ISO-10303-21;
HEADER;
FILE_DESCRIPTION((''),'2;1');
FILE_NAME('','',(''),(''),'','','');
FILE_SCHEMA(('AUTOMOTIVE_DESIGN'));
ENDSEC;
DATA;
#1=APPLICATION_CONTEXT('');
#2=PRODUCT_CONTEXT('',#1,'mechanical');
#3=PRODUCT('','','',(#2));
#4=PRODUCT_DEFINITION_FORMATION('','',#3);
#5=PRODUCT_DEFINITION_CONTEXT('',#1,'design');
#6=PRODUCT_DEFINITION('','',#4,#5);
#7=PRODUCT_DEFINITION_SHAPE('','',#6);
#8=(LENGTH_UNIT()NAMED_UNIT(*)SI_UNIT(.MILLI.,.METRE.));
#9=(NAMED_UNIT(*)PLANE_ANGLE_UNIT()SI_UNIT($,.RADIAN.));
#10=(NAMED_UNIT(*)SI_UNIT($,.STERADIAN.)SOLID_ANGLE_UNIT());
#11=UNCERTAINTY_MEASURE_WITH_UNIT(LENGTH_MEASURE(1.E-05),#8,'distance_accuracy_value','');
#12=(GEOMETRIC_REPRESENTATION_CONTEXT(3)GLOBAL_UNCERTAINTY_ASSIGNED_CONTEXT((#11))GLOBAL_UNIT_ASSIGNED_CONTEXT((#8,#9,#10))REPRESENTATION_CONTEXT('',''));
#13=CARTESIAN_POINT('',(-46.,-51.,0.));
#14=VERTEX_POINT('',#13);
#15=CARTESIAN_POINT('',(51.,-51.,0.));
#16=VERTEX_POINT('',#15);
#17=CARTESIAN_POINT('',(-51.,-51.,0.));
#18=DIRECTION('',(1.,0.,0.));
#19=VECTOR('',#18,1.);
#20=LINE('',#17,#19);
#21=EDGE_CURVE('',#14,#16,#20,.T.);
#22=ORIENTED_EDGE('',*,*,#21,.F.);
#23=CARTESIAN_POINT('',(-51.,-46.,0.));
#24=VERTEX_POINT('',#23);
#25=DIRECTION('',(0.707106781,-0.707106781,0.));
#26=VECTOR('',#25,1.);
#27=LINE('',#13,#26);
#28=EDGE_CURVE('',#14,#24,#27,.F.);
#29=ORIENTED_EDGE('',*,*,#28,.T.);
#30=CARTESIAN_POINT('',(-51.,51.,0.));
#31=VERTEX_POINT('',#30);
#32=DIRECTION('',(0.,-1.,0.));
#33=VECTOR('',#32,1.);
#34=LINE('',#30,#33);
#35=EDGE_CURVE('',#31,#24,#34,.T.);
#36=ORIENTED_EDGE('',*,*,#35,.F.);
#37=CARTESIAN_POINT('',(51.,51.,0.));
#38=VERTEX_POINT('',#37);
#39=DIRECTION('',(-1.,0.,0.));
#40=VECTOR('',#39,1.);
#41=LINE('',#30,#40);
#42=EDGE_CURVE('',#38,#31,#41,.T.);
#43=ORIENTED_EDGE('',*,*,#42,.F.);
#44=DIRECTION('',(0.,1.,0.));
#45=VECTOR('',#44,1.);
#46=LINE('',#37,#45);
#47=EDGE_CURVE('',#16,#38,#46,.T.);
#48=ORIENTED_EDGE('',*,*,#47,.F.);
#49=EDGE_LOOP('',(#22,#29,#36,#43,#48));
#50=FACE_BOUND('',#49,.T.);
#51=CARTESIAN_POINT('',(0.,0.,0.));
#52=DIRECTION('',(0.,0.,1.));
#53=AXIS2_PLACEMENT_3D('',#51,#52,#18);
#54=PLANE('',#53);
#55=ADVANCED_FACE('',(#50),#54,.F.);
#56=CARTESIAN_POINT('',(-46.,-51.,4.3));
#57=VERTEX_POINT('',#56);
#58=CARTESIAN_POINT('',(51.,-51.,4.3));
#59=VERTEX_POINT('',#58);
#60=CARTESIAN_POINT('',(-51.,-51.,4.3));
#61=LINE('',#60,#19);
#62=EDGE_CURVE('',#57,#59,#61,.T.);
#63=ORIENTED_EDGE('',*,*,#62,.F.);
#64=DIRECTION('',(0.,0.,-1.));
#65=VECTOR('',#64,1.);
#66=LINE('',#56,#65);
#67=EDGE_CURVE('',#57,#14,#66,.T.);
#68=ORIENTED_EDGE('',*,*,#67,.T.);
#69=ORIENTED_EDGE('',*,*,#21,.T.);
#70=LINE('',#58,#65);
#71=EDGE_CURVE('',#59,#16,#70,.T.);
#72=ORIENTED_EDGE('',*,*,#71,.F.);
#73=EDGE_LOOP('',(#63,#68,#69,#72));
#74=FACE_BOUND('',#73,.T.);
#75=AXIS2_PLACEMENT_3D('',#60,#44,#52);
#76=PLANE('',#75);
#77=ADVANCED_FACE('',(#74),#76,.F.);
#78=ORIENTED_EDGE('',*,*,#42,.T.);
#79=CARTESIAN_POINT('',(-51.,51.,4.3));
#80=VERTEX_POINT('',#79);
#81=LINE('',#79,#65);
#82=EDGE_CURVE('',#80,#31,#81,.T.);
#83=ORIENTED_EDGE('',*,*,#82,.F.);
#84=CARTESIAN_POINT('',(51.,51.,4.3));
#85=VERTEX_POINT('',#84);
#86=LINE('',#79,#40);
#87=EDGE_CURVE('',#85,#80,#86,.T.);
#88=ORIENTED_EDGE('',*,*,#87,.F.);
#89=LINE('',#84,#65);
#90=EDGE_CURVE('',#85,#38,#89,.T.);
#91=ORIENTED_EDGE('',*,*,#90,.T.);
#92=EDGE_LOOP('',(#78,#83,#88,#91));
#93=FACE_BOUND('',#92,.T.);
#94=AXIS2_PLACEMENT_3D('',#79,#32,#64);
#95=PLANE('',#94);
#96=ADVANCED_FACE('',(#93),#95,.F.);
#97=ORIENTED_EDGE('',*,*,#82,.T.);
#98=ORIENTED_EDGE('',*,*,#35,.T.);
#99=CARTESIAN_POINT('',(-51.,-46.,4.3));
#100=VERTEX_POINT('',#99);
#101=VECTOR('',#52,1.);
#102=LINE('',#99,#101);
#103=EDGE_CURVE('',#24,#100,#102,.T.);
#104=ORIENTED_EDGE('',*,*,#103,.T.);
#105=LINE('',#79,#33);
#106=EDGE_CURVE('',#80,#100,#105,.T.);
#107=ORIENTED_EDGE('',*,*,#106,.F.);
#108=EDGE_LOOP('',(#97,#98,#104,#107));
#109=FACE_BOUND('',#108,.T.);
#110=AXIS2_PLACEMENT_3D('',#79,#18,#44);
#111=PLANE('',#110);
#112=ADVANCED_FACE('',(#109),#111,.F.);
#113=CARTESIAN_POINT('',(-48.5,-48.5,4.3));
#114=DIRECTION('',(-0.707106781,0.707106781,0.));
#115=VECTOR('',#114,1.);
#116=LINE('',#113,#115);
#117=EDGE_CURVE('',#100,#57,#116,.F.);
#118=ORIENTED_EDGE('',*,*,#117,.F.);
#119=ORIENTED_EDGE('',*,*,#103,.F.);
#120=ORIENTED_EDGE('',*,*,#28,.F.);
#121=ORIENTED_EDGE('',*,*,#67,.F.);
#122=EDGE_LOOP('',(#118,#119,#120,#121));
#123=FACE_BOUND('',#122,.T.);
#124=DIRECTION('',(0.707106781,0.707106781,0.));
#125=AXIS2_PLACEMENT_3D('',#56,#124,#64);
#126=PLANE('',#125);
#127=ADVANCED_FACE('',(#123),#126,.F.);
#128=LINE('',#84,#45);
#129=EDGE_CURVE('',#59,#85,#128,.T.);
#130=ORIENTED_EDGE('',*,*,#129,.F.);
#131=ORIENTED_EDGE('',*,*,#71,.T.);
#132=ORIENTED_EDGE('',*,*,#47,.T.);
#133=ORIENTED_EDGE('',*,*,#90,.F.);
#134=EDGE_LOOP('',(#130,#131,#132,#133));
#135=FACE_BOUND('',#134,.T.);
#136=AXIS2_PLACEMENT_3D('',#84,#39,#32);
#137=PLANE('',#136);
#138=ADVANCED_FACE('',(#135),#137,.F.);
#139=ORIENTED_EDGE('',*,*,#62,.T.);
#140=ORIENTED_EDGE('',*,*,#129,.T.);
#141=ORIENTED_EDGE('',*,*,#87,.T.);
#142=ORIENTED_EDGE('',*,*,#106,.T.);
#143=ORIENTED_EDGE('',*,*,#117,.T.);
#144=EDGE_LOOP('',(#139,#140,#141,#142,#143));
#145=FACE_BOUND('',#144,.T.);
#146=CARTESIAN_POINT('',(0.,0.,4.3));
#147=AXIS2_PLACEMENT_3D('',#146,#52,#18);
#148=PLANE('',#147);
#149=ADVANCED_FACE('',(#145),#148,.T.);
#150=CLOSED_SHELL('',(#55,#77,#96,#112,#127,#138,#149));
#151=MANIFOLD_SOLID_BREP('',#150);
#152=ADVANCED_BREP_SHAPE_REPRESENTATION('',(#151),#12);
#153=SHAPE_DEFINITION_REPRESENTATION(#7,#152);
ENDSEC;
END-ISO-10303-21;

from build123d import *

# Parameters (mm, degrees)
SKETCH_1_W      = 102
SKETCH_1_H      = 102
EXTRUDE_1_DEPTH = 4.3
CHAMFER_1_SIZE  = 5


with BuildPart() as part:
    # 草图1 → 凸台-拉伸1 (new body)
    with BuildSketch(Plane.XY):
        Rectangle(SKETCH_1_W, SKETCH_1_H)
    extrude(amount=EXTRUDE_1_DEPTH)

    # 倒角1
    chamfer_1_edges = [part.edges().sort_by_distance(p)[0] for p in [
        (-51, -51, 2.15),
    ]]
    chamfer(chamfer_1_edges, length=CHAMFER_1_SIZE)


solid = part.part
